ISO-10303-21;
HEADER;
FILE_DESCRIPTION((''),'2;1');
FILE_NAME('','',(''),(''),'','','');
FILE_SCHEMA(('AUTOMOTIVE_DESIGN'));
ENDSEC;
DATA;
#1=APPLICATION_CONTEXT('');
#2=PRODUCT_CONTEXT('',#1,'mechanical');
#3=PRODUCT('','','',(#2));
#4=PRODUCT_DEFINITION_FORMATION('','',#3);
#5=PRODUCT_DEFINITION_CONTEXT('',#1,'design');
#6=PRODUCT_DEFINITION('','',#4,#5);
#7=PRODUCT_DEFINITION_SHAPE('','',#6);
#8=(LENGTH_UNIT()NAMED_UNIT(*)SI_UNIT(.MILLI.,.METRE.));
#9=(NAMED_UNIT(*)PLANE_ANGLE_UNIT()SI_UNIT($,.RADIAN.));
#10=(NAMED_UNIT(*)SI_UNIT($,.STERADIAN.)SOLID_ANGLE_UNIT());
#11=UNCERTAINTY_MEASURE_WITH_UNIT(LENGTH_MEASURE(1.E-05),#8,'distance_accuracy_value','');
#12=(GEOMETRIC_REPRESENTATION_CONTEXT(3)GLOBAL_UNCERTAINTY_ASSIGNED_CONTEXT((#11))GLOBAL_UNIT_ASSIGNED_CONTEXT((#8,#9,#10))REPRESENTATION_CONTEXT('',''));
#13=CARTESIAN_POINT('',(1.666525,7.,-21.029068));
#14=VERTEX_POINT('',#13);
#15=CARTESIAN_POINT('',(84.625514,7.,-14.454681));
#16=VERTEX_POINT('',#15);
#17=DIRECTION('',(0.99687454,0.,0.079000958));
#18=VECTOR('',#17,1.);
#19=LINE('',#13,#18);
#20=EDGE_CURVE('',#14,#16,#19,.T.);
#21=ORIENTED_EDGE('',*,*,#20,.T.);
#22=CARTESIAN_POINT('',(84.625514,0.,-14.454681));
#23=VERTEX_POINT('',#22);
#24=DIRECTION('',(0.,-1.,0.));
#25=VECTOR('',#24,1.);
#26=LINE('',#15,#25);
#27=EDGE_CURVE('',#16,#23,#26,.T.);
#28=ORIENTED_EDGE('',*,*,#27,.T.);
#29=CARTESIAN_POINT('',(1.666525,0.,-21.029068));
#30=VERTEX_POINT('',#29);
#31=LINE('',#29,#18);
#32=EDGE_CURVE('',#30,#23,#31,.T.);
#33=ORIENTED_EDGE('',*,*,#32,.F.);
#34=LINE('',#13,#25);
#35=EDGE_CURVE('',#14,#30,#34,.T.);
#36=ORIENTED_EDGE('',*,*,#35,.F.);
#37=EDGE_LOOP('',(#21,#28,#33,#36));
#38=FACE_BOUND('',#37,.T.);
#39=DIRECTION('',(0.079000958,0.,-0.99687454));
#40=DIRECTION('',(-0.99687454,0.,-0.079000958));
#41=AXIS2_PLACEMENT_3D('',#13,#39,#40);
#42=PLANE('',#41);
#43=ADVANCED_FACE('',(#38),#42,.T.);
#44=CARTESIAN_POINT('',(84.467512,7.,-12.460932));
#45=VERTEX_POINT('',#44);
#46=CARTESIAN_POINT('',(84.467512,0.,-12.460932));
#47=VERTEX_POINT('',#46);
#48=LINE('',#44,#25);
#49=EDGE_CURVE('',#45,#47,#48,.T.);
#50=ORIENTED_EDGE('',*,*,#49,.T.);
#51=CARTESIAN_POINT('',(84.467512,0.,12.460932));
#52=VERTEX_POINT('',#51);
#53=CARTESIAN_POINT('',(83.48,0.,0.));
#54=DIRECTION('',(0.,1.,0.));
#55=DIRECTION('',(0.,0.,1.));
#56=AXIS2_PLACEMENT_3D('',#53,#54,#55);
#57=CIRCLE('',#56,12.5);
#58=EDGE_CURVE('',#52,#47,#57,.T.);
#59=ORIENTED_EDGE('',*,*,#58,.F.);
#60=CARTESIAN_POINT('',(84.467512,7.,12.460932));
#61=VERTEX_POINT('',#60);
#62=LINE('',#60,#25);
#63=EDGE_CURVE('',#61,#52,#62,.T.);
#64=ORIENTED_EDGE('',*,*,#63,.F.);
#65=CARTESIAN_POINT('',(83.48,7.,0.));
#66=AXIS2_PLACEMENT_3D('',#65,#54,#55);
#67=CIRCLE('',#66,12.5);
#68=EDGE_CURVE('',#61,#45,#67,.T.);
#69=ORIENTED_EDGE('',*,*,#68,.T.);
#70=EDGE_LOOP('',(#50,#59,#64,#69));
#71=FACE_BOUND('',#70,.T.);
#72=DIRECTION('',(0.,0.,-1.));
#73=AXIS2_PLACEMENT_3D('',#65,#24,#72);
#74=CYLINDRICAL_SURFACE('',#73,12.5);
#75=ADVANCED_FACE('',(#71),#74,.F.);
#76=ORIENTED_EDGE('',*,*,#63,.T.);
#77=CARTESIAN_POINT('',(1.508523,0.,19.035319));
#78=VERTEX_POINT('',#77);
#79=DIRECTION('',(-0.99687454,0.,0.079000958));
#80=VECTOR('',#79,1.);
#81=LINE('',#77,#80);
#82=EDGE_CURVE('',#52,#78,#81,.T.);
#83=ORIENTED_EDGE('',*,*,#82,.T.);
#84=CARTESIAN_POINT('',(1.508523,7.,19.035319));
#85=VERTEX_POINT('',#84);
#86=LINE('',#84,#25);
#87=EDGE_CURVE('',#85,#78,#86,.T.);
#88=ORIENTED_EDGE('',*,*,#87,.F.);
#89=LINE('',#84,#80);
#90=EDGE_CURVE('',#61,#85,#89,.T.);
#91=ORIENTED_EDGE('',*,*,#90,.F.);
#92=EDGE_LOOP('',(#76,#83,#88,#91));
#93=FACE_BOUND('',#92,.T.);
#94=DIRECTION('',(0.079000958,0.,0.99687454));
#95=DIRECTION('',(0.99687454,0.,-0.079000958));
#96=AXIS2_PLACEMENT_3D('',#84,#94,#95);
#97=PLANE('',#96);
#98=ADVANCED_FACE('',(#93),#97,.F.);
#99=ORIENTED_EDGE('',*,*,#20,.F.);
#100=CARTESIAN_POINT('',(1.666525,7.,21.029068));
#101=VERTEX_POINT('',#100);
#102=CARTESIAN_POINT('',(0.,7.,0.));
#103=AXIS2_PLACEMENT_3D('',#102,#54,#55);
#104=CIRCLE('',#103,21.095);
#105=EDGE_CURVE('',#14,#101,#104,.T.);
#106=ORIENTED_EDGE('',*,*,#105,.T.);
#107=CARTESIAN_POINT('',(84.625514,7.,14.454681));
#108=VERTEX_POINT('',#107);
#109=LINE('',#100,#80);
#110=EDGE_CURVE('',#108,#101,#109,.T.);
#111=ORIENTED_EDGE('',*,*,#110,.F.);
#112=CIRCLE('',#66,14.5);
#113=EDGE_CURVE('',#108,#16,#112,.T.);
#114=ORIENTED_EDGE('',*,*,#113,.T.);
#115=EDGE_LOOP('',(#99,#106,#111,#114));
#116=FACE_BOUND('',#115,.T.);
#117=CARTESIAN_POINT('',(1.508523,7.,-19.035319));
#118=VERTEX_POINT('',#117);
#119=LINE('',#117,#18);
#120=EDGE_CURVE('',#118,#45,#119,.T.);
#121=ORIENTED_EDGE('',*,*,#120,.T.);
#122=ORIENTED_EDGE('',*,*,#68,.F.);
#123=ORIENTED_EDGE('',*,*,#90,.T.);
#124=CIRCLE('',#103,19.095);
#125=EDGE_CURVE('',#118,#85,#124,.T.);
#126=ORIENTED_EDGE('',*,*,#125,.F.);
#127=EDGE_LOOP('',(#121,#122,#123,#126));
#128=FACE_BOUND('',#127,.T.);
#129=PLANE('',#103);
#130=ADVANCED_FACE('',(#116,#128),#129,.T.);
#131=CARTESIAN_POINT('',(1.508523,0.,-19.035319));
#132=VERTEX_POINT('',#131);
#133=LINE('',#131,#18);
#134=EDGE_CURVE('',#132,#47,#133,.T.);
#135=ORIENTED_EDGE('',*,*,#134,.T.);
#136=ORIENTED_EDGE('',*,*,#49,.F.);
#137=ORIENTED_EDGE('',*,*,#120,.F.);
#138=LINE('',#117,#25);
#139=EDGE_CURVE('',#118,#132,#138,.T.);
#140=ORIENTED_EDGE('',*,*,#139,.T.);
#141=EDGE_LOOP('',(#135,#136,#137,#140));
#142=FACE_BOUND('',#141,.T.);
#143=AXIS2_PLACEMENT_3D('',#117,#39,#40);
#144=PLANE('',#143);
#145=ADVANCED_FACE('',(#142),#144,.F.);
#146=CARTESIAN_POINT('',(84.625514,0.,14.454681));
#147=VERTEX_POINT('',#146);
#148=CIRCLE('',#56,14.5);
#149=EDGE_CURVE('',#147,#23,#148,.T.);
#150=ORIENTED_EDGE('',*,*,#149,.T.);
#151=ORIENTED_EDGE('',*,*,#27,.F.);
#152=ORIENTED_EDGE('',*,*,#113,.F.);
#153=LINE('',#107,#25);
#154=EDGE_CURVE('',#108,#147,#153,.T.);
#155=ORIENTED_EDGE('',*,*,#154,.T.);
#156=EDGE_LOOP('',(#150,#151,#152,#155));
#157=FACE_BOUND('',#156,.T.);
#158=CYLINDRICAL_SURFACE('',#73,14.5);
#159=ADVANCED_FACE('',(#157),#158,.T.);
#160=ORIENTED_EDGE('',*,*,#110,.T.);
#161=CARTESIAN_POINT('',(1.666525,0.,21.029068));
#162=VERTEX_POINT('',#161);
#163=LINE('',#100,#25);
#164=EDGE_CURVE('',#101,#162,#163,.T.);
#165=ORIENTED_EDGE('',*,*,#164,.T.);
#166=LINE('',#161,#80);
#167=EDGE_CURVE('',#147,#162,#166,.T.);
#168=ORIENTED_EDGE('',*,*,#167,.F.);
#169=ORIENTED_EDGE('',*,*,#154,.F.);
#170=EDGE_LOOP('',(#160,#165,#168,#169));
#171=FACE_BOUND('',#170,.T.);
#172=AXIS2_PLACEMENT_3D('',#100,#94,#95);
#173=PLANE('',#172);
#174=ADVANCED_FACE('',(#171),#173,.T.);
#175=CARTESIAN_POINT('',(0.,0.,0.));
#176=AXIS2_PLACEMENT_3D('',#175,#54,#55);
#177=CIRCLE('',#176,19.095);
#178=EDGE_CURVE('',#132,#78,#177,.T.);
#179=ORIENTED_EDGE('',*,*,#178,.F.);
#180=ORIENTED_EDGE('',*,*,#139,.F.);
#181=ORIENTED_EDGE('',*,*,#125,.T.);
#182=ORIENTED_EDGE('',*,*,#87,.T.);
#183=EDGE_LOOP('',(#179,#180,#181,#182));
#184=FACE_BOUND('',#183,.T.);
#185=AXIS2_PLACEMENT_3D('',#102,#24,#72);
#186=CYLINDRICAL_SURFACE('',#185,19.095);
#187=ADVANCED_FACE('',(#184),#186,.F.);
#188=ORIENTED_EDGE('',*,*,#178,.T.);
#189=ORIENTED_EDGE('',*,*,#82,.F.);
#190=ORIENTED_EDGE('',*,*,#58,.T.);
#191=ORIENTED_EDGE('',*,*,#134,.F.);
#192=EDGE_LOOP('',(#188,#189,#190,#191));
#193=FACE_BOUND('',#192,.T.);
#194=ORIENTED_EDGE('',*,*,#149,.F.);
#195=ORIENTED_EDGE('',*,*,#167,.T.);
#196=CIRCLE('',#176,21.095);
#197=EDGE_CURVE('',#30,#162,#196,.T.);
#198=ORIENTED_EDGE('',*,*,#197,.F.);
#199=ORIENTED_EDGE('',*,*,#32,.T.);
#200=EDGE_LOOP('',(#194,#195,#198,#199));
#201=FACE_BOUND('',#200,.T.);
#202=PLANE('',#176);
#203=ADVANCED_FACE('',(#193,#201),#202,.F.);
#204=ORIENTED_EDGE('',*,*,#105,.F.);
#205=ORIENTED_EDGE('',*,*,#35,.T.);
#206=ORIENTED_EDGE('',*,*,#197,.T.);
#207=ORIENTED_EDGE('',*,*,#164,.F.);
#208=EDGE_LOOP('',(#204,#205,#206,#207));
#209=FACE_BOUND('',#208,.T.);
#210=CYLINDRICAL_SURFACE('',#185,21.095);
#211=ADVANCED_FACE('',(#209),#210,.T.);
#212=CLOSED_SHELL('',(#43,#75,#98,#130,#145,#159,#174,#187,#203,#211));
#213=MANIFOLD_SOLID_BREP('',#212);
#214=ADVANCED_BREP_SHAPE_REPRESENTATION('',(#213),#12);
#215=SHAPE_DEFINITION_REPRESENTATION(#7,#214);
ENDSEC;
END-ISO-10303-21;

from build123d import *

# Parameters (mm, degrees)
EXTRUDE_1_DEPTH = 7


with BuildPart() as part:
    # 草图1 → 凸台-拉伸1 (new body)
    with BuildSketch(Plane(origin=(0, 0, 0), x_dir=(1, 0, 0), z_dir=(0, 1, 0))):
        with BuildLine():
            Line((1.666525216, 21.029068422), (84.625513896, 14.454680831))
            ThreePointArc((84.625513896, 14.454680831), (97.98, 0), (84.625513896, -14.454680831))
            Line((84.625513896, -14.454680831), (1.666525216, -21.029068422))
            ThreePointArc((1.666525216, -21.029068422), (-21.095, 0), (1.666525216, 21.029068422))
        make_face()
        with BuildLine():
            ThreePointArc((84.467511979, -12.460931751), (95.98, 0), (84.467511979, 12.460931751))
            Line((84.467511979, 12.460931751), (1.508523299, 19.035319342))
            ThreePointArc((1.508523299, 19.035319342), (-19.095, 0), (1.508523299, -19.035319342))
            Line((1.508523299, -19.035319342), (84.467511979, -12.460931751))
        make_face(mode=Mode.SUBTRACT)
    extrude(amount=EXTRUDE_1_DEPTH)


solid = part.part
